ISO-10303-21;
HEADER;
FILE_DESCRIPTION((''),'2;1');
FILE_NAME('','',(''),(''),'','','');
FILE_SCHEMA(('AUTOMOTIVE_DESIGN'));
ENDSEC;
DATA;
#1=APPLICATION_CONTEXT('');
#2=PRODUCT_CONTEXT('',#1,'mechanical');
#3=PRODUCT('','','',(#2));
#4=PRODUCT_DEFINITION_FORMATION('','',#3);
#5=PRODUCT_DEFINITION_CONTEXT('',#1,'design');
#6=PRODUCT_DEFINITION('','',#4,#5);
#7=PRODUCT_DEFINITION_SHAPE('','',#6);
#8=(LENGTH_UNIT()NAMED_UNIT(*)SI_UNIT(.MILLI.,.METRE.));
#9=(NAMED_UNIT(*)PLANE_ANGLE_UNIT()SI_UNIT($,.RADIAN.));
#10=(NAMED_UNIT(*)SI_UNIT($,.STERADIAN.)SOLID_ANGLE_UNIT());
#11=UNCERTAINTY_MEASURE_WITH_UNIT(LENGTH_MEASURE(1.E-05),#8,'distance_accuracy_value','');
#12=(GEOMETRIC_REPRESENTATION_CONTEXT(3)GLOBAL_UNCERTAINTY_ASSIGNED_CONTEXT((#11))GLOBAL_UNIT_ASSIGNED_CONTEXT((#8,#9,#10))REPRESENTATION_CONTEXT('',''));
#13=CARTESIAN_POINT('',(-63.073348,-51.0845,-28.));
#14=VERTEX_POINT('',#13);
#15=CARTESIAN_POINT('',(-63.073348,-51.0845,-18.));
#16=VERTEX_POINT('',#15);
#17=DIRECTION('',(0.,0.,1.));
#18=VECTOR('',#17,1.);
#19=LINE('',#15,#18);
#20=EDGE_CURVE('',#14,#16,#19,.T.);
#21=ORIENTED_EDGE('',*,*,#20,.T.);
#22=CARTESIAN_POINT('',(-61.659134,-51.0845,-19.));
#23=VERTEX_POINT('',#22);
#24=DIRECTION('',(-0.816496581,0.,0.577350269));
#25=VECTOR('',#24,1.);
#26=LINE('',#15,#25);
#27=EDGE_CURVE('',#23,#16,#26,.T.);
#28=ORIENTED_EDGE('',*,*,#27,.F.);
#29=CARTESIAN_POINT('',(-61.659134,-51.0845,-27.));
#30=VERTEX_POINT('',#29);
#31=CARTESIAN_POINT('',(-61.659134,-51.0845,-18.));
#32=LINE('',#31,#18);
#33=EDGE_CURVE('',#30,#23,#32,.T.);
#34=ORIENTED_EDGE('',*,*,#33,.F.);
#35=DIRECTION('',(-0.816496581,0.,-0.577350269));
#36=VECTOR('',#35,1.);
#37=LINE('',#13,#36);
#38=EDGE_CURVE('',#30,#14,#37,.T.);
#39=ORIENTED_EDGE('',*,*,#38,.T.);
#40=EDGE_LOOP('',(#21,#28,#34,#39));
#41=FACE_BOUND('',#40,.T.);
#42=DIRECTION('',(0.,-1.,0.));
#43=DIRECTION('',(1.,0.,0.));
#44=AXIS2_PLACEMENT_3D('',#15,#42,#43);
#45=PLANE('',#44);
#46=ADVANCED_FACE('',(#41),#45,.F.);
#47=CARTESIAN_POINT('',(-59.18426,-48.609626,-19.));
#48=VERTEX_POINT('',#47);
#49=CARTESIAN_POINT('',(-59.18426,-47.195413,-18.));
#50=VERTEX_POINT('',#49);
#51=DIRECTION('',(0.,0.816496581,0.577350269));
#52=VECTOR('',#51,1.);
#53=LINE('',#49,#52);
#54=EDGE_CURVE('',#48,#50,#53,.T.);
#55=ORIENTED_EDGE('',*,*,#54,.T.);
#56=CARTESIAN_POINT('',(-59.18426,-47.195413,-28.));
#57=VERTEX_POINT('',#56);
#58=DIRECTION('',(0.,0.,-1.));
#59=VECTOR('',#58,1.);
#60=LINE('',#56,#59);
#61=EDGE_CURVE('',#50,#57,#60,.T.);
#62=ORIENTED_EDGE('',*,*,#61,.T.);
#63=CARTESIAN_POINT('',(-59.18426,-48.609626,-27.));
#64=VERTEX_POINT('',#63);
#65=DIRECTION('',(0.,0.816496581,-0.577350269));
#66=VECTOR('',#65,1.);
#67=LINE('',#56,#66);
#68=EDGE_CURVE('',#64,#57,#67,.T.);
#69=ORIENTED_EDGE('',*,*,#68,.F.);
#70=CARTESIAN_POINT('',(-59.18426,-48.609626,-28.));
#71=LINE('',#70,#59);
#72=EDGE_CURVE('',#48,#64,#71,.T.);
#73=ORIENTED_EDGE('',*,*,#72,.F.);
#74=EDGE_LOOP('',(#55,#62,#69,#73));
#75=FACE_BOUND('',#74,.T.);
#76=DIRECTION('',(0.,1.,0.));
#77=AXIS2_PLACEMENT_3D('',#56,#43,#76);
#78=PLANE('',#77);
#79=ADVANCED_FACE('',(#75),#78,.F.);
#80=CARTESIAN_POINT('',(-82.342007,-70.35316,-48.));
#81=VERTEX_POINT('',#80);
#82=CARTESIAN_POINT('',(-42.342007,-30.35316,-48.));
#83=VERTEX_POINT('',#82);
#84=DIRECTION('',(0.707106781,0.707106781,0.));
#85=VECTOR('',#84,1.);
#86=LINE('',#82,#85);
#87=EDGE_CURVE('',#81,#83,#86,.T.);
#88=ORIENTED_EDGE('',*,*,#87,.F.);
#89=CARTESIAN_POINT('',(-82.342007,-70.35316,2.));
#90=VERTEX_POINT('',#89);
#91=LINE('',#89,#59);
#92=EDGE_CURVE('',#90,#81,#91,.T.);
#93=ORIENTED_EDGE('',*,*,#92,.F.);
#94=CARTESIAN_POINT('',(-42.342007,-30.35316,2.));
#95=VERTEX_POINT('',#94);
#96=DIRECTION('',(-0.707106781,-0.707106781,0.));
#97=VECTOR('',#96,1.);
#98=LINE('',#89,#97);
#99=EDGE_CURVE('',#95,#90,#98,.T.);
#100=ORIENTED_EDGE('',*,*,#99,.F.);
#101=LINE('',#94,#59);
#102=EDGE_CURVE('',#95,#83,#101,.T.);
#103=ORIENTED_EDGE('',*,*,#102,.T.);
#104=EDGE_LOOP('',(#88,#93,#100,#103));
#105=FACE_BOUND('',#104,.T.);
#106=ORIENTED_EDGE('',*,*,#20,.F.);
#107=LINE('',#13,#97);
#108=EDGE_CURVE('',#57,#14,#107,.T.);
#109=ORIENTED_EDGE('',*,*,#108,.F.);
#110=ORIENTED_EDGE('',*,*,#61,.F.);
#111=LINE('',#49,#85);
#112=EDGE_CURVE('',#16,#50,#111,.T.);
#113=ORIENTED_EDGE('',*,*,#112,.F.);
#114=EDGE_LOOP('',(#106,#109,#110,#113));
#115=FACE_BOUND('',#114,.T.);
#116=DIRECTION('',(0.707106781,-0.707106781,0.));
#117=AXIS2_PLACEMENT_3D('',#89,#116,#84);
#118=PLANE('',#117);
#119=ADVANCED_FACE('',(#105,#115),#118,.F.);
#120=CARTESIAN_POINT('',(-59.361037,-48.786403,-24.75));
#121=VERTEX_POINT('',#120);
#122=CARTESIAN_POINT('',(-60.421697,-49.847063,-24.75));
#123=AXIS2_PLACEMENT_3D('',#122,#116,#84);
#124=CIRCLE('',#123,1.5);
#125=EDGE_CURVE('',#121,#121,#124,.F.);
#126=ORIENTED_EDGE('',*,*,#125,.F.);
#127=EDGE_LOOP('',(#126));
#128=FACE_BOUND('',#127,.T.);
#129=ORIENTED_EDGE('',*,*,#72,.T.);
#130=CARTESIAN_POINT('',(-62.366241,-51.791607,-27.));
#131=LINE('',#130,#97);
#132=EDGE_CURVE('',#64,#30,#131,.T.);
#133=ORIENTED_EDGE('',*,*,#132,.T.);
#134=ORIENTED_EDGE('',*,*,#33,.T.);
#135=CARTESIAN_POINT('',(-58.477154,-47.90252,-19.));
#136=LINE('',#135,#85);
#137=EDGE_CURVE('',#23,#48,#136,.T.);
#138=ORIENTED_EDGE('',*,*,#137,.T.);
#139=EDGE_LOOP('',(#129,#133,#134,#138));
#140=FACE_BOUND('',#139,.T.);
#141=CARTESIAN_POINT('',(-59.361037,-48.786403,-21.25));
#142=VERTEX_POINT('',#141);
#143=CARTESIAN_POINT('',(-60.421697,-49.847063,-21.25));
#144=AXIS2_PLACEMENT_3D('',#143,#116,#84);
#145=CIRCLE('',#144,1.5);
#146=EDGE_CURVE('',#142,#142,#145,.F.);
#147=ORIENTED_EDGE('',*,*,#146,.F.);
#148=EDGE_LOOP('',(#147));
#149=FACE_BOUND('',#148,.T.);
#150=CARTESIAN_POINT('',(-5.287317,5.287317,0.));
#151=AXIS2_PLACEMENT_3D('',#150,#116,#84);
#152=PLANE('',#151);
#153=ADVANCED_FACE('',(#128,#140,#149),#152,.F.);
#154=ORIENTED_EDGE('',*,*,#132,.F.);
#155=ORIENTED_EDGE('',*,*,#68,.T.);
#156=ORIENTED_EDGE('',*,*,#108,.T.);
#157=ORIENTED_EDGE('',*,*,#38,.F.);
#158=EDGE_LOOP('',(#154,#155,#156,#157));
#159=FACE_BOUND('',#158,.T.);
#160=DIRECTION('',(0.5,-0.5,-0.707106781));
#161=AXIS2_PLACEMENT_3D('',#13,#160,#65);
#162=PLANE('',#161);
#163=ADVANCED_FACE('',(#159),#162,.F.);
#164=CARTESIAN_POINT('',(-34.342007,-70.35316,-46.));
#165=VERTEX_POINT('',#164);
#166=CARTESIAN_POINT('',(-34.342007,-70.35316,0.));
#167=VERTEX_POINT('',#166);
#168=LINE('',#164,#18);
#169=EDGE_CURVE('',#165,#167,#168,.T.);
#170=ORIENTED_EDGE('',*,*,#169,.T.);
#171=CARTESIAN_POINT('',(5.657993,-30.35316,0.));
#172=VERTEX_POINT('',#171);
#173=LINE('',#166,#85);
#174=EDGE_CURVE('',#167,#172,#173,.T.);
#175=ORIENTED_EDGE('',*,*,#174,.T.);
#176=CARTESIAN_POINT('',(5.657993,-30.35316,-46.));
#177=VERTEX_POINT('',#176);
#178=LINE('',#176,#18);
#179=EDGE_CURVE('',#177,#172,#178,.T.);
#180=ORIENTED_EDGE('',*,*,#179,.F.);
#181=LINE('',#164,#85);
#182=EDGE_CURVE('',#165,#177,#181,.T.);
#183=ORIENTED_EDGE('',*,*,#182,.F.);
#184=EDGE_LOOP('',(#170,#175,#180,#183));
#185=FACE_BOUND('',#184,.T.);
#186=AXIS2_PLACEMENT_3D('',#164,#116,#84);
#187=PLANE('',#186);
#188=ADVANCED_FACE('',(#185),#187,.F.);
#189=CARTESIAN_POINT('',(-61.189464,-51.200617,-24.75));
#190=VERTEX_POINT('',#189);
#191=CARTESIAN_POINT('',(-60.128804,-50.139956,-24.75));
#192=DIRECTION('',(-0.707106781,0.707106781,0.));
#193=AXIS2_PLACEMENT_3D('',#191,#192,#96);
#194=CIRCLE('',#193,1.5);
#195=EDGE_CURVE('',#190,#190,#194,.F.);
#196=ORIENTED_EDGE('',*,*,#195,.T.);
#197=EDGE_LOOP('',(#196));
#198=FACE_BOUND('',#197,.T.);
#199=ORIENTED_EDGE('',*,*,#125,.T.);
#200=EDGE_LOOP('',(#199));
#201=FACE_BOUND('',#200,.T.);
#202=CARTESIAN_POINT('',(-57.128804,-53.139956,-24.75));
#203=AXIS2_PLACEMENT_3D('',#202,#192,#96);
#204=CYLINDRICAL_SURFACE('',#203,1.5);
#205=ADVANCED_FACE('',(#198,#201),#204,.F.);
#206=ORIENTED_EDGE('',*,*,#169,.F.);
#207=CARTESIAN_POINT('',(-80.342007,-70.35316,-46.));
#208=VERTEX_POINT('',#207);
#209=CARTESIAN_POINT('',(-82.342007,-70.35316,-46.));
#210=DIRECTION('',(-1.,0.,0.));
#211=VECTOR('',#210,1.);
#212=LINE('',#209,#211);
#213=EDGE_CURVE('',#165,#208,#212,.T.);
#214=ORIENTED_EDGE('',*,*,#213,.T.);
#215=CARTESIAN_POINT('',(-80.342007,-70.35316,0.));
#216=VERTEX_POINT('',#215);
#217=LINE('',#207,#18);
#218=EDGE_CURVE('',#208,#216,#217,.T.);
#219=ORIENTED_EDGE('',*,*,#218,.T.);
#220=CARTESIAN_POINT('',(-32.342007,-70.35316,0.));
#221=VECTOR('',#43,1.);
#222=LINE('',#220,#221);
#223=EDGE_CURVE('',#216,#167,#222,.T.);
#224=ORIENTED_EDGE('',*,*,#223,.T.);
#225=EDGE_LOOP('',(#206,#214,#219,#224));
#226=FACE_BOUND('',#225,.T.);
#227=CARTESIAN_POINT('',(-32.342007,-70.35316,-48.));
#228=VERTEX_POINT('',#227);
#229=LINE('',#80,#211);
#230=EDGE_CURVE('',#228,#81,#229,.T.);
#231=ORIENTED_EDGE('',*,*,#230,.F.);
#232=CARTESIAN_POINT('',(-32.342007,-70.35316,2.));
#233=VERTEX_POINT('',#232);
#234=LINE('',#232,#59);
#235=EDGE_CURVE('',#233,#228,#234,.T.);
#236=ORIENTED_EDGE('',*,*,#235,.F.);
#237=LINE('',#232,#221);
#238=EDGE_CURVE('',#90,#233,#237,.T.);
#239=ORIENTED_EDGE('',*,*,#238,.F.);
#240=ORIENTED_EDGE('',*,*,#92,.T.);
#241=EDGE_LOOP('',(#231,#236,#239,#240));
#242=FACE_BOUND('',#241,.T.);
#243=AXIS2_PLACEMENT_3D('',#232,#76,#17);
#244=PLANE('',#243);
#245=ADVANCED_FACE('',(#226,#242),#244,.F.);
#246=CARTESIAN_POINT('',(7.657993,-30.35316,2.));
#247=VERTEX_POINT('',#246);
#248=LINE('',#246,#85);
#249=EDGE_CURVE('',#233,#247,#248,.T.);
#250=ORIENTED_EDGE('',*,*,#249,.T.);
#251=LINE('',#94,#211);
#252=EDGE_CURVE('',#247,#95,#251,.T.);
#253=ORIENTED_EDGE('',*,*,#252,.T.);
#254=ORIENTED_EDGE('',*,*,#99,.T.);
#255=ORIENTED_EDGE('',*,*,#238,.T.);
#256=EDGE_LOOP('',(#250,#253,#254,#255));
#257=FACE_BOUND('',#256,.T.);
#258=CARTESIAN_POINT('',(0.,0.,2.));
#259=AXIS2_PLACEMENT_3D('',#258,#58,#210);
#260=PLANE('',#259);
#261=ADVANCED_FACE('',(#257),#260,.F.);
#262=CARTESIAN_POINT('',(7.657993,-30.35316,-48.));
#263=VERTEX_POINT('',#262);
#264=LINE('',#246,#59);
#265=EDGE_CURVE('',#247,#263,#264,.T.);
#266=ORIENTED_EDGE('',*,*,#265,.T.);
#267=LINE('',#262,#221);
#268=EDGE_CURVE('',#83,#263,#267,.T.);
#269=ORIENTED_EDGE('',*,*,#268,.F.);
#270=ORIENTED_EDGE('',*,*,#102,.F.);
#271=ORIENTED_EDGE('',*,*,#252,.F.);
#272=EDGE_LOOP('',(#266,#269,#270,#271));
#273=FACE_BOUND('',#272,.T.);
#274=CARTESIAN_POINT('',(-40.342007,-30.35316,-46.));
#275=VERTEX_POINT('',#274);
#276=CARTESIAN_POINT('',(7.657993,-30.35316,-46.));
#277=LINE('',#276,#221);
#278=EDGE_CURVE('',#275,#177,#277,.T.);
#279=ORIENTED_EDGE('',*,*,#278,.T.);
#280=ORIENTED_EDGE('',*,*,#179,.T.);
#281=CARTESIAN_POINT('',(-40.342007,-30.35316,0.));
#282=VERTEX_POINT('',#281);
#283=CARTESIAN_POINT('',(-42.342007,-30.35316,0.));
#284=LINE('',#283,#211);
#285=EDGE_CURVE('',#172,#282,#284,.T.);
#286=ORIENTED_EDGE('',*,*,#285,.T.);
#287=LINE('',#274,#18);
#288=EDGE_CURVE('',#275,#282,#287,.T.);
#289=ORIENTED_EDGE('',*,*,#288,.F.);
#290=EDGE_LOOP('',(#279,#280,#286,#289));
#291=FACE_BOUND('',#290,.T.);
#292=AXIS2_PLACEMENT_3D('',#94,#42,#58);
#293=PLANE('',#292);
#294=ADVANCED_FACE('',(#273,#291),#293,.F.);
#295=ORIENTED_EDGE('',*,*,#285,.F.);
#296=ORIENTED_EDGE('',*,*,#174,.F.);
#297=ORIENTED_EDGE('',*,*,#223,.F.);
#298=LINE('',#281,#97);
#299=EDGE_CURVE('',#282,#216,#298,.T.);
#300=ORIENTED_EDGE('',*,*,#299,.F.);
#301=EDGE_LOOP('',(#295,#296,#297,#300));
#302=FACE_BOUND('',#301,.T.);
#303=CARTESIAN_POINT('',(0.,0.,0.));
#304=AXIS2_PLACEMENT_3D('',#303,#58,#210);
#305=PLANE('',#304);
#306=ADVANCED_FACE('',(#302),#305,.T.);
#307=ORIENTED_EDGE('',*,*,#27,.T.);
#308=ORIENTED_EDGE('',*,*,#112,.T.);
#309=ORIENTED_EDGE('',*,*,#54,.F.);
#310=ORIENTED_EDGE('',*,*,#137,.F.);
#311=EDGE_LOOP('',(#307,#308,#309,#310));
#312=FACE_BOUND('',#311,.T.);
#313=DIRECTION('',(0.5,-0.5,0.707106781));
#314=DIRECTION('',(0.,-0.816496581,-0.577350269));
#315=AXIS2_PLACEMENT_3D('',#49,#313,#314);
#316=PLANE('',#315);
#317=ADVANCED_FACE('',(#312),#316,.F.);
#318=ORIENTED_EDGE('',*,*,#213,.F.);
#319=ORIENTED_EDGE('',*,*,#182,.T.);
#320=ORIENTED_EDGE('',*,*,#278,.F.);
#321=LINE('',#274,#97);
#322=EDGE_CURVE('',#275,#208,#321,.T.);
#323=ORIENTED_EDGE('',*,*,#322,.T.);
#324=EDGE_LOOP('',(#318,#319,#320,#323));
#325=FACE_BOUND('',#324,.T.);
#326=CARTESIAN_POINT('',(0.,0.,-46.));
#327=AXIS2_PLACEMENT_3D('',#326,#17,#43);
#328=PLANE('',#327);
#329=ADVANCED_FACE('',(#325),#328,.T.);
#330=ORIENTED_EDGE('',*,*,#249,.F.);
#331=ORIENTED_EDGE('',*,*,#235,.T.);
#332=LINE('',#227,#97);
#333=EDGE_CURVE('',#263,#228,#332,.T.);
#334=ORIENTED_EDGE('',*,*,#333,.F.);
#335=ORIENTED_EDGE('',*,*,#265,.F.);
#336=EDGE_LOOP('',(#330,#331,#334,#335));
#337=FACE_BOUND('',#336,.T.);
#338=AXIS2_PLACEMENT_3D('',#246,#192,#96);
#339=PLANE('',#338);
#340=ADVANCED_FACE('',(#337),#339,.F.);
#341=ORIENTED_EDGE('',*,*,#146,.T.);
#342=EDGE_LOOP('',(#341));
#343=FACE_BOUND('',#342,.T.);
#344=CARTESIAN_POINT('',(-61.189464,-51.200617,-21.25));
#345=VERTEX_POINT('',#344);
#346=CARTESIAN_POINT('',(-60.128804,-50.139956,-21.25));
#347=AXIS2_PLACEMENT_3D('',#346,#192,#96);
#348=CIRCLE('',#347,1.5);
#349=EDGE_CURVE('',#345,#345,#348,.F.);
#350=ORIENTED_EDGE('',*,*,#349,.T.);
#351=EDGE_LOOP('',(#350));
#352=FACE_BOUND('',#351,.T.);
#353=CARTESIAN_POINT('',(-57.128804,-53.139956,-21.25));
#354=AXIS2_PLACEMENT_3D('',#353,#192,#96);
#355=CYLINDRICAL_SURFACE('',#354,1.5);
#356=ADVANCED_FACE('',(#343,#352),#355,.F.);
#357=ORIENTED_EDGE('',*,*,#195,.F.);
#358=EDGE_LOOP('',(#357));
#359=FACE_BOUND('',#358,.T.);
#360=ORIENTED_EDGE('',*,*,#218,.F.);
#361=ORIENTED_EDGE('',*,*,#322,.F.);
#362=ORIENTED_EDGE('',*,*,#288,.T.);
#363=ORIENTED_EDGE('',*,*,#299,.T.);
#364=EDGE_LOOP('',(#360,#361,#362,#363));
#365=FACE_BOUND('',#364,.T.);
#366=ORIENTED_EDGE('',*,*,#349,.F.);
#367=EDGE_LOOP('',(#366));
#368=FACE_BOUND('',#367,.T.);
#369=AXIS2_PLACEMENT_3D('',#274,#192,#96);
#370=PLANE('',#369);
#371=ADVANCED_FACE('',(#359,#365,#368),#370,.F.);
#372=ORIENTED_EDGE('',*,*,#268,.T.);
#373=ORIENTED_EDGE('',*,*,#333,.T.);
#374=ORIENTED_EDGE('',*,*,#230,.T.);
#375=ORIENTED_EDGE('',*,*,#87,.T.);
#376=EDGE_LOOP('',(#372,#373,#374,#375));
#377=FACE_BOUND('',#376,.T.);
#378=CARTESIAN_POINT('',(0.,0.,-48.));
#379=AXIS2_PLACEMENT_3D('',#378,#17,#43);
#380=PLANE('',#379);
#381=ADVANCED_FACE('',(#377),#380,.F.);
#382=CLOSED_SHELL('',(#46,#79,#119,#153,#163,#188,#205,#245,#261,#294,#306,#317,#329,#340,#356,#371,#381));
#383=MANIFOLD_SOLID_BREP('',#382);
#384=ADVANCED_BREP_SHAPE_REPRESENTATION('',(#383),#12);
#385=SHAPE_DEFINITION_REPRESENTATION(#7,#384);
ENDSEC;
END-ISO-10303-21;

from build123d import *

# Parameters (mm, degrees)
SALIENTE_EXTRUIR1_DEPTH = 2
SALIENTE_EXTRUIR2_DEPTH = 46
SALIENTE_EXTRUIR3_DEPTH = 2
CROQUIS5_R              = 1.5
CORTAR_EXTRUIR1_DEPTH   = 1.414213562
CROQUIS8_W              = 10
CROQUIS8_H              = 5.5
CORTAR_EXTRUIR2_DEPTH   = 1
CORTAR_EXTRUIR2_DRAFT   = -45


with BuildPart() as part:
    # Croquis2 → Saliente-Extruir1 (new body)
    with BuildSketch(Plane.XY):
        Polygon((-42.342007435, -30.353159851), (7.657992565, -30.353159851), (-32.342007435, -70.353159851), (-82.342007435, -70.353159851), align=None)
    extrude(amount=SALIENTE_EXTRUIR1_DEPTH)

    # Croquis3 → Saliente-Extruir2 (add)
    with BuildSketch(Plane(origin=(0, 0, 0), x_dir=(-1, 0, 0), z_dir=(0, 0, -1))):
        Polygon((-5.657992565, -30.353159851), (-7.657992565, -30.353159851), (32.342007435, -70.353159851), (34.342007435, -70.353159851), align=None)
        Polygon((42.342007435, -30.353159851), (40.342007435, -30.353159851), (80.342007435, -70.353159851), (82.342007435, -70.353159851), align=None)
    extrude(amount=SALIENTE_EXTRUIR2_DEPTH)

    # Croquis4 → Saliente-Extruir3 (add)
    with BuildSketch(Plane(origin=(0, 0, -46), x_dir=(-1, 0, 0), z_dir=(0, 0, -1))):
        Polygon((-7.657992565, -30.353159851), (42.342007435, -30.353159851), (82.342007435, -70.353159851), (32.342007435, -70.353159851), align=None)
    extrude(amount=SALIENTE_EXTRUIR3_DEPTH)

    # Croquis5 → Cortar-Extruir1 (cut)
    with BuildSketch(Plane(origin=(-5.994423792, 5.994423792, 0), x_dir=(0, 0, 1), z_dir=(-0.7071067811865438, 0.7071067811865513, 0))):
        with Locations(Location((-24.75, -77.971788243, 0), (0, 0, 270))):
            Circle(CROQUIS5_R)
        with Locations(Location((-21.25, -77.971788243, 0), (0, 0, 270))):
            Circle(CROQUIS5_R)
    extrude(amount=-CORTAR_EXTRUIR1_DEPTH, mode=Mode.SUBTRACT)


with BuildPart() as cortar_extruir2_tool:
    # Croquis8 → Cortar-Extruir2 (with draft: the straight prism first)
    with BuildSketch(Plane(origin=(-5.994423792, 5.994423792, 0), x_dir=(0, 0, 1), z_dir=(-0.7071067811865438, 0.7071067811865513, 0))):
        with Locations((-23, -77.971788243)):
            Rectangle(CROQUIS8_W, CROQUIS8_H)
    extrude(amount=-CORTAR_EXTRUIR2_DEPTH)
    # Cortar-Extruir2: the draft: its side faces are tilted about the plane it starts from
    cortar_extruir2_sides = [cortar_extruir2_tool.faces().sort_by_distance(p)[0] for p in [
        (-62.719794257, -51.438053455, -23),
        (-60.775250609, -49.493509806, -18),
        (-58.83070696, -47.548966158, -23),
        (-60.775250609, -49.493509806, -28),
    ]]
    draft(cortar_extruir2_sides, Plane(origin=(-5.994423792, 5.994423792, 0), x_dir=(0, 0, 1), z_dir=(-0.7071067811865438, 0.7071067811865513, 0)), CORTAR_EXTRUIR2_DRAFT)


with BuildPart() as part_1:
    add(part.part)

    # Cortar-Extruir2: cut by cortar_extruir2_tool
    add(cortar_extruir2_tool.part, mode=Mode.SUBTRACT)


solid = part_1.part
